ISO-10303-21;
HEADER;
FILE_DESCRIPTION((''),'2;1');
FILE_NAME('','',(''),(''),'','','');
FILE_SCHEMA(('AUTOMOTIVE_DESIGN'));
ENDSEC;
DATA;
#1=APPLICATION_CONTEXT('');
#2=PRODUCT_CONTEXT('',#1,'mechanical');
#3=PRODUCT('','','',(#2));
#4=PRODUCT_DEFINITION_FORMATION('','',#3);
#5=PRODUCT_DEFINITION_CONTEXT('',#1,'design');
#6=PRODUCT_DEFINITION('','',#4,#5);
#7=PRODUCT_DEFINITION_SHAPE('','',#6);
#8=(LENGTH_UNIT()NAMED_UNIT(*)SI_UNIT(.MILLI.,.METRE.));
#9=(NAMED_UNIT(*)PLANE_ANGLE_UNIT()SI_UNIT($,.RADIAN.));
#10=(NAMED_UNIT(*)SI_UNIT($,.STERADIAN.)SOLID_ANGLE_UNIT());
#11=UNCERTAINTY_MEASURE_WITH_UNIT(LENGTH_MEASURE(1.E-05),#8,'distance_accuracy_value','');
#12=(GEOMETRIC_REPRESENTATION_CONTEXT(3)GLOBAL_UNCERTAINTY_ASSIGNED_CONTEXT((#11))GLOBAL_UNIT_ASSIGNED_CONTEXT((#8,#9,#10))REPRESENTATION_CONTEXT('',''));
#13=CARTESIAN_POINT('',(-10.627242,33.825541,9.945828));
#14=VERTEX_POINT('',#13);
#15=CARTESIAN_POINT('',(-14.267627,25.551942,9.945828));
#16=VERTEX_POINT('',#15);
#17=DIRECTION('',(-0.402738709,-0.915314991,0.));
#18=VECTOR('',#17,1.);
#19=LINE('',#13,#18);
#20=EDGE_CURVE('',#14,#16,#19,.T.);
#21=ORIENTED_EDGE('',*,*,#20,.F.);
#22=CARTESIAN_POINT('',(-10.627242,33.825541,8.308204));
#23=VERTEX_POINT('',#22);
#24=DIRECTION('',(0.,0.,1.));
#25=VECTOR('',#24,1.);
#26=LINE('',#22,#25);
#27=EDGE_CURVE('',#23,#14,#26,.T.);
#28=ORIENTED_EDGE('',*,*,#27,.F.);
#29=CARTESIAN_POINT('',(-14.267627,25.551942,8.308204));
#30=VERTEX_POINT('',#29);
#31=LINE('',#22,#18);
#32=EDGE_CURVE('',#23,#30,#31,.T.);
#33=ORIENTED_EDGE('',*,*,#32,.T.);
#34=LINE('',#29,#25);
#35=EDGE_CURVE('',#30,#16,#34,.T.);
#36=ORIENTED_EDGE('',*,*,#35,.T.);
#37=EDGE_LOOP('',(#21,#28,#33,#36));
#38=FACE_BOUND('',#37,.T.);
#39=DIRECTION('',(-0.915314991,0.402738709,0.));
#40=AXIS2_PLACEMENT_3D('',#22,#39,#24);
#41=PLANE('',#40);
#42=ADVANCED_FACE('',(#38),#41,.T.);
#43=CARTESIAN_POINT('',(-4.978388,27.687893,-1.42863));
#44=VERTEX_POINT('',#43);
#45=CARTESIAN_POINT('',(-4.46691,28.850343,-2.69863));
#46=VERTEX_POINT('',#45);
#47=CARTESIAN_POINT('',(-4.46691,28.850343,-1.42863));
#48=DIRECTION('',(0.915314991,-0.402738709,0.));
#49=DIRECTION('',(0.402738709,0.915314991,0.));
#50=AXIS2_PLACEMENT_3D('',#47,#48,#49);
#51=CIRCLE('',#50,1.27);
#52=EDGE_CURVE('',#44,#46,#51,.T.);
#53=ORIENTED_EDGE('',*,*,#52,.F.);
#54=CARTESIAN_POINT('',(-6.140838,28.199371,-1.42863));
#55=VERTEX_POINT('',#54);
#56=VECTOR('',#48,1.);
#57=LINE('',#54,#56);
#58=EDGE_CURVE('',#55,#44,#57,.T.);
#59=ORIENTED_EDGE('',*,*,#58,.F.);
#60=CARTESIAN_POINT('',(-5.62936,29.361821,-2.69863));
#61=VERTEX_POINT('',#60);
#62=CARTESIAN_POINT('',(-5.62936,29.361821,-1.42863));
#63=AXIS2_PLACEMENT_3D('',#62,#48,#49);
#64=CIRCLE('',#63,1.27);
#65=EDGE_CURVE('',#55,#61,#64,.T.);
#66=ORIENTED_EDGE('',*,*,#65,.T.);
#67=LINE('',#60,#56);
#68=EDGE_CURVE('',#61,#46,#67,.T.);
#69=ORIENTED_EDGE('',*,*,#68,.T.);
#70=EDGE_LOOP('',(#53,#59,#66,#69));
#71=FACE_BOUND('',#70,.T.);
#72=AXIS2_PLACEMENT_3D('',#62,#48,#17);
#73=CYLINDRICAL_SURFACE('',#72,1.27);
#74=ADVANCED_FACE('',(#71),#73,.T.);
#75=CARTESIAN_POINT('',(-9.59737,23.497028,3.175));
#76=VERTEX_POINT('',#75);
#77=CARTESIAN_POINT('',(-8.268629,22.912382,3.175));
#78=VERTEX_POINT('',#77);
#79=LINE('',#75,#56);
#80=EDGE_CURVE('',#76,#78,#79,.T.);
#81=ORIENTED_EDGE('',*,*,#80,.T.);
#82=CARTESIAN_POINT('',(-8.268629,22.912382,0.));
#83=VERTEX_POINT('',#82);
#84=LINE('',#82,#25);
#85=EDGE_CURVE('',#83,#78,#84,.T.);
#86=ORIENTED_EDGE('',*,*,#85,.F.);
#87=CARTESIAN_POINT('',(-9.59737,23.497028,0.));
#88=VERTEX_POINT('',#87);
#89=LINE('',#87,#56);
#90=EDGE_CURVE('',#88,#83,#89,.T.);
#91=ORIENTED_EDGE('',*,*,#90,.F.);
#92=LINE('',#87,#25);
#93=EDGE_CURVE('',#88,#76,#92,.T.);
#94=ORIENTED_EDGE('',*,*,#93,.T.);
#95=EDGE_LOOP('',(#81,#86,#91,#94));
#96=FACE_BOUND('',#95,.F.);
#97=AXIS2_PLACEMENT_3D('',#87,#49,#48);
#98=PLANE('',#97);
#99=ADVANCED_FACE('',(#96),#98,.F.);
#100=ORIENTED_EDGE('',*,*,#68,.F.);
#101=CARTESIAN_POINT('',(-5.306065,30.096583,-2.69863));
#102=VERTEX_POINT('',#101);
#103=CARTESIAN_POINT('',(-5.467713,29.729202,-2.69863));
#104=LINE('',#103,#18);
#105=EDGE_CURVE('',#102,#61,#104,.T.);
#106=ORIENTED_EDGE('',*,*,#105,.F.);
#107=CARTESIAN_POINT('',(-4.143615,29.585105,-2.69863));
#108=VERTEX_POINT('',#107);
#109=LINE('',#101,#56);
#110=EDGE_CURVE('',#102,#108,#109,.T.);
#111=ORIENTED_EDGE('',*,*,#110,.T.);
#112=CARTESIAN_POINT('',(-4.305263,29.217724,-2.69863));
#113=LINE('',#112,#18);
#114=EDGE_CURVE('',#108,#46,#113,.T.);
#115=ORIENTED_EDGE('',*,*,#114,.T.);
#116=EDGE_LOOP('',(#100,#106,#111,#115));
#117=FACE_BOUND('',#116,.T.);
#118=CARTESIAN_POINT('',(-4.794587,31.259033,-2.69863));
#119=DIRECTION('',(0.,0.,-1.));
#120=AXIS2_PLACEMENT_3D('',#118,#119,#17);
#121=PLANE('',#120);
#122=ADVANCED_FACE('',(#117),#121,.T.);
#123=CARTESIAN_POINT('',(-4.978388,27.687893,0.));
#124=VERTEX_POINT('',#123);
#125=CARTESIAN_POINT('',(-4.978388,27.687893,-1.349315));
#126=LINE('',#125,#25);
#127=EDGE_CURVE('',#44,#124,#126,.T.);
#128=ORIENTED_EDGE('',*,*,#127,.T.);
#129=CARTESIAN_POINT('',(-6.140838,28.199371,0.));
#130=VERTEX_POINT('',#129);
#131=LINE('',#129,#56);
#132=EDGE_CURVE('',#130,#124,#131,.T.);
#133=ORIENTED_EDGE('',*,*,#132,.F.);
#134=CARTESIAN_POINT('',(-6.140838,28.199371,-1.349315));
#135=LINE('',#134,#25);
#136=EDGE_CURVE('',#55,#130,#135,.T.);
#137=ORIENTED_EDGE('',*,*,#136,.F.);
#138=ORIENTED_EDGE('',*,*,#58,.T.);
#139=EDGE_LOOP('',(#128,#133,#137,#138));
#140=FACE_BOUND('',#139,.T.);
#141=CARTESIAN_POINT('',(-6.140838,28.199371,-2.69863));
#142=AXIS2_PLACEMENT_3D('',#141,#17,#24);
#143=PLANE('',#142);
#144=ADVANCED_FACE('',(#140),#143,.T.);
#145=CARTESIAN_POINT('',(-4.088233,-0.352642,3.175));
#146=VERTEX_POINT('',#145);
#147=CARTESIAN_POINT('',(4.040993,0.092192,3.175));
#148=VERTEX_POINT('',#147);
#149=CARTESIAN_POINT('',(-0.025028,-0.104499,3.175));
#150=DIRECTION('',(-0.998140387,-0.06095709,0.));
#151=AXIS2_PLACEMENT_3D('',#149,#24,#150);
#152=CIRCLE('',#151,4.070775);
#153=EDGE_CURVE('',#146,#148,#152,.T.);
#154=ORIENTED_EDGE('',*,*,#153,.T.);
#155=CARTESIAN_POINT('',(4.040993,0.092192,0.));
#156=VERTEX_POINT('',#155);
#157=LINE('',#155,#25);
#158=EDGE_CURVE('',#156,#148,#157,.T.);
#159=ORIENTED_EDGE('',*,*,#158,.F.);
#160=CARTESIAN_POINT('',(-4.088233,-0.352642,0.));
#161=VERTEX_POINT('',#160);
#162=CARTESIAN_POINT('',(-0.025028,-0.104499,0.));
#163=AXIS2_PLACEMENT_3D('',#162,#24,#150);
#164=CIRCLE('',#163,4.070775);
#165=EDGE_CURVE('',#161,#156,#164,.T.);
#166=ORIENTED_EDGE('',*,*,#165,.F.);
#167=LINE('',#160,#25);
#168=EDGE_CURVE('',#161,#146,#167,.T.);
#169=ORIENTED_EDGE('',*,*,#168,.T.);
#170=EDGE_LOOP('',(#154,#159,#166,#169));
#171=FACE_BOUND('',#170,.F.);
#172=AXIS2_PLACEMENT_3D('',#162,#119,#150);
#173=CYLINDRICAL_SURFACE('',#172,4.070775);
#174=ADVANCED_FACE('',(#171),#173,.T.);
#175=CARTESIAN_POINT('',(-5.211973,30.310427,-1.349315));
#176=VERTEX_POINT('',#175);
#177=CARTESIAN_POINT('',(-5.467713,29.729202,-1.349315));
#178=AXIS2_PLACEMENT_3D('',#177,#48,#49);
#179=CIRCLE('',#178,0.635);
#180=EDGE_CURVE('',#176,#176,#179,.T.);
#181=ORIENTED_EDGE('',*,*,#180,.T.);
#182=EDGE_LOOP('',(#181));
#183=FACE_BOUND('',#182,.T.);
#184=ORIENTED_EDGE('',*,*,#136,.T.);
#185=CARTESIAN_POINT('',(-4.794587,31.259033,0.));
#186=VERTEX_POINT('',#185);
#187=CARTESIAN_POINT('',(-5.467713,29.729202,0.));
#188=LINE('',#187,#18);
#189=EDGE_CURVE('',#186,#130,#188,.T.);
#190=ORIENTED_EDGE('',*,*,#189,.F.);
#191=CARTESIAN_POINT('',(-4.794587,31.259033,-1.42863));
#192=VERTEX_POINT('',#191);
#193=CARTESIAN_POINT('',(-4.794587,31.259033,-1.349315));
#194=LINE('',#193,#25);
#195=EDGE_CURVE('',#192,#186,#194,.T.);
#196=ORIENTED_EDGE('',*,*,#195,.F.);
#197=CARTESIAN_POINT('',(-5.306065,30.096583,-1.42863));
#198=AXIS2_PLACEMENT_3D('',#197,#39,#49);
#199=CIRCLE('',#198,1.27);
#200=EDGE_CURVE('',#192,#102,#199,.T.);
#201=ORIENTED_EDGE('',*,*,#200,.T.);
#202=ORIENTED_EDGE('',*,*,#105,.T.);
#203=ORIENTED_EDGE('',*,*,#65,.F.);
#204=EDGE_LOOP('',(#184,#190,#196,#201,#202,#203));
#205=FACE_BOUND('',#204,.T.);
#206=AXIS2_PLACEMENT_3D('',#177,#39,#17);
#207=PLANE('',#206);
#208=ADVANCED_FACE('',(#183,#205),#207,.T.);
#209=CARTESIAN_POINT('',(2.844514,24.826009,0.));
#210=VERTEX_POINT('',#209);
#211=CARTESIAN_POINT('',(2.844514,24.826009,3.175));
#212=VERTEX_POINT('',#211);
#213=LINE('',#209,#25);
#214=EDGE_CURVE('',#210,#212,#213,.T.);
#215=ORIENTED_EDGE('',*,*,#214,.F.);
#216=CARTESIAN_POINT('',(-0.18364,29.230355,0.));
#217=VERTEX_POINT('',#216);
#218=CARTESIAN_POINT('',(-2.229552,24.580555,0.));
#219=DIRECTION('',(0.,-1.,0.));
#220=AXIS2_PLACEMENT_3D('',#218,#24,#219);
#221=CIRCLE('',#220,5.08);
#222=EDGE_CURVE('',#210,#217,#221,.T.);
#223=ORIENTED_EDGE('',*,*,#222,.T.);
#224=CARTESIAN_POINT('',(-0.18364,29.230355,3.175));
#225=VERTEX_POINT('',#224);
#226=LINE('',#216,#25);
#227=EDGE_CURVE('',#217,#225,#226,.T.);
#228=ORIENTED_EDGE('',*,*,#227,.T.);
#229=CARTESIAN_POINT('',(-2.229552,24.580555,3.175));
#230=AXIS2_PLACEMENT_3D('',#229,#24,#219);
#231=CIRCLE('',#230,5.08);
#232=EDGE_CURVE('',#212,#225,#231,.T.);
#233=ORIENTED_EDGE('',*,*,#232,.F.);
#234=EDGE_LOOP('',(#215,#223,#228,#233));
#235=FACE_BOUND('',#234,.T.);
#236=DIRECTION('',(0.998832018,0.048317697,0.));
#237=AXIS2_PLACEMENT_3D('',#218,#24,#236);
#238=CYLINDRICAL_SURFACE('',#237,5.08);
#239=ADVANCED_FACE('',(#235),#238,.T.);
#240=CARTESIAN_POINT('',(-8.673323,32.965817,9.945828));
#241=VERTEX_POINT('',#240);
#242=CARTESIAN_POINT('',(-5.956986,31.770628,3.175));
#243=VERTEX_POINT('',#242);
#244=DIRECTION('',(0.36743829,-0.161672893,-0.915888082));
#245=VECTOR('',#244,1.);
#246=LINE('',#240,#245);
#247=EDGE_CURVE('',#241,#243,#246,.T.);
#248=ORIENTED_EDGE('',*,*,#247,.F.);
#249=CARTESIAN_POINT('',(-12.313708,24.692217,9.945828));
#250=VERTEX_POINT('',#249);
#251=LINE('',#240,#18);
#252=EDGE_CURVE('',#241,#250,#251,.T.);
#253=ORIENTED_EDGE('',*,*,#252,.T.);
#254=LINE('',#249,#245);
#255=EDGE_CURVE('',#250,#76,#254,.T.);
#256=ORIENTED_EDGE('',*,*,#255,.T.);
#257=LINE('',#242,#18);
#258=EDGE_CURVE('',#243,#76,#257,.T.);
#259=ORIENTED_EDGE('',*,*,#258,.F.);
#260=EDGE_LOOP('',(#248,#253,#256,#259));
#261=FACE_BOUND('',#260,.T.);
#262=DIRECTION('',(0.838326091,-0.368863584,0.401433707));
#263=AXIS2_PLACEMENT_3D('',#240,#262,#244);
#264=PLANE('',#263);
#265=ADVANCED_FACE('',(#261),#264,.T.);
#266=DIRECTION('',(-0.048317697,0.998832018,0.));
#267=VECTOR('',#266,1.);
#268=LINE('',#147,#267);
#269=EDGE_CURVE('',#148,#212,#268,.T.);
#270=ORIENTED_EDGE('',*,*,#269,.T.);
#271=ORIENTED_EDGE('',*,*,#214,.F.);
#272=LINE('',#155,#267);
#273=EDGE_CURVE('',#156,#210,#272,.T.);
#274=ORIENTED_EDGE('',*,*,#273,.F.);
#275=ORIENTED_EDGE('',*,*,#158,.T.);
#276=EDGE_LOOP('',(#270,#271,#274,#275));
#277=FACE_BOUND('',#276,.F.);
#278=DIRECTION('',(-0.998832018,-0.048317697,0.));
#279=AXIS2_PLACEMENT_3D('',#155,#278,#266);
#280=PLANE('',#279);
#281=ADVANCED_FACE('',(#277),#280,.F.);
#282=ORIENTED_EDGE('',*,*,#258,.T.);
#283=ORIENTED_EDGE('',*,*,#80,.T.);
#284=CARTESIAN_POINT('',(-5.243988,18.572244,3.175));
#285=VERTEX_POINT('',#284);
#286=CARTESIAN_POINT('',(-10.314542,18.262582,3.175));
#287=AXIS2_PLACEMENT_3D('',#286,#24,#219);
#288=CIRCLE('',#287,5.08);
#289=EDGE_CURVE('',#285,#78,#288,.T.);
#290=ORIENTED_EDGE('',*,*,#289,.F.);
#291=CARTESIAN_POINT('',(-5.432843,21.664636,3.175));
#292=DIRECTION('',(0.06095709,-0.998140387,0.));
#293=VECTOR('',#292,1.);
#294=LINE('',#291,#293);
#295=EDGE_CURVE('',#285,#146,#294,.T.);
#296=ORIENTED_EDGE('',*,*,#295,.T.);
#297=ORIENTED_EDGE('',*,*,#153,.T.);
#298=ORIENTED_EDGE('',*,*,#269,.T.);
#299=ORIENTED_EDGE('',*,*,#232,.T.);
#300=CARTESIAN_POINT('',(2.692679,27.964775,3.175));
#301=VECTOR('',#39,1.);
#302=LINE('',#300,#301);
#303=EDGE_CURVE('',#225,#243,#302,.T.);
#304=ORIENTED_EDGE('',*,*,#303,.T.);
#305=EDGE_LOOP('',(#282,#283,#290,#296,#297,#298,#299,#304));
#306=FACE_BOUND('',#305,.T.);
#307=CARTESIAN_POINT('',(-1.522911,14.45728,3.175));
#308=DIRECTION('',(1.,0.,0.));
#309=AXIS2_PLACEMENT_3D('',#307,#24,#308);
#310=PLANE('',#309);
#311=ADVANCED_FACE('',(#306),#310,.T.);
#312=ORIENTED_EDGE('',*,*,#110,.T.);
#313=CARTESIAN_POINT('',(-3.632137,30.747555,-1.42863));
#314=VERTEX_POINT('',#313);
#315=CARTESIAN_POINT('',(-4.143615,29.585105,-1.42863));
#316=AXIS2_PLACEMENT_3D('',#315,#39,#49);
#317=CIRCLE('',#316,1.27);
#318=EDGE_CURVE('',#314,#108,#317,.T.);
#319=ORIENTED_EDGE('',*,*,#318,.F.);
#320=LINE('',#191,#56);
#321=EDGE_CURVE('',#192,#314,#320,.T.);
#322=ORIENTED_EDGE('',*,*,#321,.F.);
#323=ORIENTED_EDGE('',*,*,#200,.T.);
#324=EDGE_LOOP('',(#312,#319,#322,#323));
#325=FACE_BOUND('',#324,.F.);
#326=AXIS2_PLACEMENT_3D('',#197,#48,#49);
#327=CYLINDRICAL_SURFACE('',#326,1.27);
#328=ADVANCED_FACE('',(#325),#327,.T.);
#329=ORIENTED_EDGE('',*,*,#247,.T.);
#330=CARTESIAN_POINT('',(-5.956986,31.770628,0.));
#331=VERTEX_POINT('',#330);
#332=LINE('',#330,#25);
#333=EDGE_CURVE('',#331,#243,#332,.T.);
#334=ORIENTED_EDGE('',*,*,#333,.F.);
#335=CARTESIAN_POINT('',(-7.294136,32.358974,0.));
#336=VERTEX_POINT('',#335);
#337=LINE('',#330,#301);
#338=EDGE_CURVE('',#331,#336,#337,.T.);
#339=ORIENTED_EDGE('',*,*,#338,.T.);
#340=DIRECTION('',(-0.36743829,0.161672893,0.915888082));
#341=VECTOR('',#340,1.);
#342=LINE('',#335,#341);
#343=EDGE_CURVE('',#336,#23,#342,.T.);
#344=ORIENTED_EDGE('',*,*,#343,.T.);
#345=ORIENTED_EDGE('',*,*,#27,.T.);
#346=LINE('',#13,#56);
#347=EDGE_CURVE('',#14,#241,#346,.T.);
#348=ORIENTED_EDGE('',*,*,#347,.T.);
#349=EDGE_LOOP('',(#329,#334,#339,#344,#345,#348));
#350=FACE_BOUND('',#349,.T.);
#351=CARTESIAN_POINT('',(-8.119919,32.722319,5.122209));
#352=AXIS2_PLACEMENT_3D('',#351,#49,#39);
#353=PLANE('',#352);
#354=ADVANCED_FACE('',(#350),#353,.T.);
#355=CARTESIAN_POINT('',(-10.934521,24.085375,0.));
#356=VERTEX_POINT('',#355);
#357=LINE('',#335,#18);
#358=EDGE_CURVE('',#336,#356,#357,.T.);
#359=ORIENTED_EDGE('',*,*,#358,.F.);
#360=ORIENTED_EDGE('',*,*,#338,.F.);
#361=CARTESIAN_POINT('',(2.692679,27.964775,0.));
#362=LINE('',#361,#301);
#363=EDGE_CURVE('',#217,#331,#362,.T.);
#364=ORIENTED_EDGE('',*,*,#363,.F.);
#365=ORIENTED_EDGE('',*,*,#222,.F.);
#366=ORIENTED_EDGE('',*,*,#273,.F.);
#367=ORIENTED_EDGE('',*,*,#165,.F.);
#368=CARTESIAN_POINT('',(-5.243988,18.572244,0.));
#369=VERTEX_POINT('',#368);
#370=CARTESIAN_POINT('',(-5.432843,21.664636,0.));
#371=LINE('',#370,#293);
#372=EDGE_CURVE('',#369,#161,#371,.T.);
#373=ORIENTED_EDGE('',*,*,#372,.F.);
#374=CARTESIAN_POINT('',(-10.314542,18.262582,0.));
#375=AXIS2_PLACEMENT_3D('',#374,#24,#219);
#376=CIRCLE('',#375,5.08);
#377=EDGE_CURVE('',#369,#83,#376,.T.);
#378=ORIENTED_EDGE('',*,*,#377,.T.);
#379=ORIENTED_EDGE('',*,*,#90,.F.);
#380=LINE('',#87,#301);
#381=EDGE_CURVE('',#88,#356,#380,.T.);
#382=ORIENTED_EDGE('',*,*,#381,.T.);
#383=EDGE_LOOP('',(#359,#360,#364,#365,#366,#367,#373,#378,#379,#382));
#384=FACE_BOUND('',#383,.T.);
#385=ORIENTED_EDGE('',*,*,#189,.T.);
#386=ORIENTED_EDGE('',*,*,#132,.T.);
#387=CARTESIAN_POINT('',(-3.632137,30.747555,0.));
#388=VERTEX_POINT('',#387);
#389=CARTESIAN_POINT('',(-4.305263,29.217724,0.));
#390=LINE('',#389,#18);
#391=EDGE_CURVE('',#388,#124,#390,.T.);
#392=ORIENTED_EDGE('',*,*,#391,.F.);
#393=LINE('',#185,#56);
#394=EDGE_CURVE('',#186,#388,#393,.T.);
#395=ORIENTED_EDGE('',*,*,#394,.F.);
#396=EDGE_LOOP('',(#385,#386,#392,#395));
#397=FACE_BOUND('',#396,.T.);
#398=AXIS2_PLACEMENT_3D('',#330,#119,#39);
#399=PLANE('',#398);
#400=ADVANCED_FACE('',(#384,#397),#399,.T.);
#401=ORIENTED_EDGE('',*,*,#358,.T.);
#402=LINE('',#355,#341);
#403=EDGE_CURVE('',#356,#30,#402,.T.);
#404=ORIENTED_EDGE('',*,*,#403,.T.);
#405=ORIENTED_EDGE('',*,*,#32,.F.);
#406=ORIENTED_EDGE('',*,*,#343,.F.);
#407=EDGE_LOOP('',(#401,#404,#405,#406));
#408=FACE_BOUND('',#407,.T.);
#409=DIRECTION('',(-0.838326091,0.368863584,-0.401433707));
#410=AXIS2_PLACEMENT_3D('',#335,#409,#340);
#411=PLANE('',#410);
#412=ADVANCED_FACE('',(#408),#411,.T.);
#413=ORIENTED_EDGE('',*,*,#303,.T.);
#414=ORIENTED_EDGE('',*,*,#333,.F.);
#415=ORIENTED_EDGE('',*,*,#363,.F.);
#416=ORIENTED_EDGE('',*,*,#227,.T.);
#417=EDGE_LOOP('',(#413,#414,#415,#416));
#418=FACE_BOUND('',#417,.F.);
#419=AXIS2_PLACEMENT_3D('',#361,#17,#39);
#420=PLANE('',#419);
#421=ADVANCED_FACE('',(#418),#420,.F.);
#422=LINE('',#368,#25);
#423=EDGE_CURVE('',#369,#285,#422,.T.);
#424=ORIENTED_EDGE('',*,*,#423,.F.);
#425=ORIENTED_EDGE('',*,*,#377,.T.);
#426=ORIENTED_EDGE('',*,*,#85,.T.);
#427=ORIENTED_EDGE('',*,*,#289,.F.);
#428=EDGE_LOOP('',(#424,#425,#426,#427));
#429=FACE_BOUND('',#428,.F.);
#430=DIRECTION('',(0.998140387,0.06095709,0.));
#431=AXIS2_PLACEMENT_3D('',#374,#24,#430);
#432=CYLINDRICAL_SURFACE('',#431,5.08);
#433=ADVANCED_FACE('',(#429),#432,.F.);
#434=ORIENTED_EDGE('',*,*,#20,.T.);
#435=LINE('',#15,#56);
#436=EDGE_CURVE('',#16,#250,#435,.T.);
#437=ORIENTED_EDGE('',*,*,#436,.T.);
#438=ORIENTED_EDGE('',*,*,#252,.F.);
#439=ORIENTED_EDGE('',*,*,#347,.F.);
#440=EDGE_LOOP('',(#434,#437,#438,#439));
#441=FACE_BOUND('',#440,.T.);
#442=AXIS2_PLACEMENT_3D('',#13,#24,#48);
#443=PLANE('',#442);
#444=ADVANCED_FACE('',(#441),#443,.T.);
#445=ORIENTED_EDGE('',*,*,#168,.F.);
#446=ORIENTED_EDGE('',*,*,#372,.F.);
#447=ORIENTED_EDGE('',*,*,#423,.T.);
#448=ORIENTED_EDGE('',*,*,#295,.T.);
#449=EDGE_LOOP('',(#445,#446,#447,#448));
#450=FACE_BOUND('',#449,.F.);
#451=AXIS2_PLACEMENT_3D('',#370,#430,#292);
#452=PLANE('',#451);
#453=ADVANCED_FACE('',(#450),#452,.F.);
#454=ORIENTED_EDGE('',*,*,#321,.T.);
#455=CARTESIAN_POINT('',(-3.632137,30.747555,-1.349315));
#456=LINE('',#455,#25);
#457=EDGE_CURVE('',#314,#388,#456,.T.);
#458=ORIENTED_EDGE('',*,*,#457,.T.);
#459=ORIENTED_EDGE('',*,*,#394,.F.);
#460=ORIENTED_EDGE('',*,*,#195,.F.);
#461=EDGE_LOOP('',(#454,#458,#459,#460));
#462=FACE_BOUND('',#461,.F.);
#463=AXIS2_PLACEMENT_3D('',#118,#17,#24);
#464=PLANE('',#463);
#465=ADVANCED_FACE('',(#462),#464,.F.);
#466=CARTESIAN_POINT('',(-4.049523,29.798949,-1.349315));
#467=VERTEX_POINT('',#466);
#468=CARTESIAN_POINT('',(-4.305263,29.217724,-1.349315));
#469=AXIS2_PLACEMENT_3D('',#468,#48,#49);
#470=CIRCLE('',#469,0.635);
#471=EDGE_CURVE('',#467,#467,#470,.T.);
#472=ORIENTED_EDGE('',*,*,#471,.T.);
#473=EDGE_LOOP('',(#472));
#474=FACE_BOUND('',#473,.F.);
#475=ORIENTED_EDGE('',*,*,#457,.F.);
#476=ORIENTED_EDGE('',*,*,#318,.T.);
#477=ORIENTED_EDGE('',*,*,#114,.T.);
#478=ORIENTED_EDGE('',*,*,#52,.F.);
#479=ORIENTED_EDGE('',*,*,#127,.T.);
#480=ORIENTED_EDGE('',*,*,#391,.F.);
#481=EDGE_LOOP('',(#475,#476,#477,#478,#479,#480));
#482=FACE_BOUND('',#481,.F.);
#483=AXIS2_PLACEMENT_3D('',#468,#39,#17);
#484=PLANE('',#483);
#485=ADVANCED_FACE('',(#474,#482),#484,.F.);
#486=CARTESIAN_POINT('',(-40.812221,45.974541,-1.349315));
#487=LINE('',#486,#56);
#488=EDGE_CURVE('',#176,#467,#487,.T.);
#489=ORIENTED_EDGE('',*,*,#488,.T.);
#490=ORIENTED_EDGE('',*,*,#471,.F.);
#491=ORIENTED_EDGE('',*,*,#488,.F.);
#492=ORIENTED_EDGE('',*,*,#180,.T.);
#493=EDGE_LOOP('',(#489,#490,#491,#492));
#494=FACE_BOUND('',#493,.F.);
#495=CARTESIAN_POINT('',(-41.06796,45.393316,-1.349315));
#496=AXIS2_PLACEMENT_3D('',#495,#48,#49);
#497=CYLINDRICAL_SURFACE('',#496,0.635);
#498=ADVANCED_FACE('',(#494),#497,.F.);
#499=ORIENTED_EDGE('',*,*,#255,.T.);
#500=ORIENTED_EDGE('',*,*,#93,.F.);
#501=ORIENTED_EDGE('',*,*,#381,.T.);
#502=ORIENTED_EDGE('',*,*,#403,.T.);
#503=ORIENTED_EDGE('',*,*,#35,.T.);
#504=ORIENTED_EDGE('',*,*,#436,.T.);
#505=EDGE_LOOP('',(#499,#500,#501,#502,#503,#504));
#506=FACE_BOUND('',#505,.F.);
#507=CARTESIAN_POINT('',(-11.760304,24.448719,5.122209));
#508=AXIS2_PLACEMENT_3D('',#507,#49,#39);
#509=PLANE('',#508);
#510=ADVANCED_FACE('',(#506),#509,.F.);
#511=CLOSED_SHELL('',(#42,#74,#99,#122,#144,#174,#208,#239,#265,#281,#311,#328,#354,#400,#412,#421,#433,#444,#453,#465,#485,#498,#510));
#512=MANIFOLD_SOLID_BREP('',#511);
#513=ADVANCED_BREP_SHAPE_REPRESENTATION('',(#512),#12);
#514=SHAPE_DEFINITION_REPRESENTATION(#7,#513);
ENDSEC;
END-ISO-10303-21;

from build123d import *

# Parameters (mm, degrees)
F1_DEPTH  = 3.175
F2_R      = 5.08
F3_R      = 5.08
F5_W      = 3.3427421004
F5_H      = 2.6986296289
F6_DEPTH  = 1.27
F7_R      = 1.27
F8_D      = 1.27
F10_DEPTH = 9.0390737111


with BuildPart() as f1:
    # F0 (on Top) → F1 (new body)
    with BuildSketch(Plane.XY):
        with BuildLine():
            Line((-5.9569855221, 31.7706279457), (-9.597370401, 23.4970282763))
            Line((-9.597370401, 23.4970282763), (-5.4328427644, 21.6646356006))
            Line((-5.4328427644, 21.6646356006), (-4.0882331564, -0.3526416028))
            ThreePointArc((-4.0882331564, -0.3526416028), (0.1973930726, -4.1691933566), (4.0409927589, 0.0921915022))
            Line((4.0409927589, 0.0921915022), (2.6926789221, 27.9647745192))
            Line((2.6926789221, 27.9647745192), (-5.9569855221, 31.7706279457))
        make_face()
    extrude(amount=F1_DEPTH)

    # F2
    f2_edges = [f1.edges().sort_by_distance(p)[0] for p in [
        (2.692679, 27.964775, 1.5875),
    ]]
    fillet(f2_edges, radius=F2_R)

    # F3
    f3_edges = [f1.edges().sort_by_distance(p)[0] for p in [
        (-5.432843, 21.664636, 1.5875),
    ]]
    fillet(f3_edges, radius=F3_R)

    # F5 (on offset) → F6 (join)
    with BuildSketch(Plane(origin=(-15.5400163929, 6.8376091371, 0), x_dir=(-0.4027387092, -0.9153149906, 0), z_dir=(-0.9153149906, 0.4027387092, 0))):
        with Locations((-25.0095250085, -1.3493148144)):
            Rectangle(F5_W, F5_H)
    extrude(amount=-F6_DEPTH)

    # F7
    f7_edges = [f1.edges().sort_by_distance(p)[0] for p in [
        (-4.213362, 31.003294, -2.69863),
        (-5.559613, 27.943632, -2.69863),
    ]]
    fillet(f7_edges, radius=F7_R)

    # F8 (through all)
    with Locations(Plane(origin=(-15.5400163929, 6.8376091371, 0), x_dir=(-0.4027387092, -0.9153149906, 0), z_dir=(-0.9153149906, 0.4027387092, 0))):
        with Locations((-25.0095250085, -1.3493148144)):
            Hole(F8_D / 2)

    # F9 (on face) → F10 (join, through all)
    with BuildSketch(Plane(origin=(10.745480909, 24.4215406479, 0), x_dir=(-0.9153149906, 0.4027387092, 0), z_dir=(0.4027387092, 0.9153149906, 0))):
        Polygon((21.2154332548, 9.9458275363), (18.2477798373, 3.175), (18.2477798373, 0), (19.7086434315, 0), (23.350128904, 8.3082040392), (23.350128904, 9.9458275363), align=None)
    extrude(amount=-F10_DEPTH)


solid = f1.part
